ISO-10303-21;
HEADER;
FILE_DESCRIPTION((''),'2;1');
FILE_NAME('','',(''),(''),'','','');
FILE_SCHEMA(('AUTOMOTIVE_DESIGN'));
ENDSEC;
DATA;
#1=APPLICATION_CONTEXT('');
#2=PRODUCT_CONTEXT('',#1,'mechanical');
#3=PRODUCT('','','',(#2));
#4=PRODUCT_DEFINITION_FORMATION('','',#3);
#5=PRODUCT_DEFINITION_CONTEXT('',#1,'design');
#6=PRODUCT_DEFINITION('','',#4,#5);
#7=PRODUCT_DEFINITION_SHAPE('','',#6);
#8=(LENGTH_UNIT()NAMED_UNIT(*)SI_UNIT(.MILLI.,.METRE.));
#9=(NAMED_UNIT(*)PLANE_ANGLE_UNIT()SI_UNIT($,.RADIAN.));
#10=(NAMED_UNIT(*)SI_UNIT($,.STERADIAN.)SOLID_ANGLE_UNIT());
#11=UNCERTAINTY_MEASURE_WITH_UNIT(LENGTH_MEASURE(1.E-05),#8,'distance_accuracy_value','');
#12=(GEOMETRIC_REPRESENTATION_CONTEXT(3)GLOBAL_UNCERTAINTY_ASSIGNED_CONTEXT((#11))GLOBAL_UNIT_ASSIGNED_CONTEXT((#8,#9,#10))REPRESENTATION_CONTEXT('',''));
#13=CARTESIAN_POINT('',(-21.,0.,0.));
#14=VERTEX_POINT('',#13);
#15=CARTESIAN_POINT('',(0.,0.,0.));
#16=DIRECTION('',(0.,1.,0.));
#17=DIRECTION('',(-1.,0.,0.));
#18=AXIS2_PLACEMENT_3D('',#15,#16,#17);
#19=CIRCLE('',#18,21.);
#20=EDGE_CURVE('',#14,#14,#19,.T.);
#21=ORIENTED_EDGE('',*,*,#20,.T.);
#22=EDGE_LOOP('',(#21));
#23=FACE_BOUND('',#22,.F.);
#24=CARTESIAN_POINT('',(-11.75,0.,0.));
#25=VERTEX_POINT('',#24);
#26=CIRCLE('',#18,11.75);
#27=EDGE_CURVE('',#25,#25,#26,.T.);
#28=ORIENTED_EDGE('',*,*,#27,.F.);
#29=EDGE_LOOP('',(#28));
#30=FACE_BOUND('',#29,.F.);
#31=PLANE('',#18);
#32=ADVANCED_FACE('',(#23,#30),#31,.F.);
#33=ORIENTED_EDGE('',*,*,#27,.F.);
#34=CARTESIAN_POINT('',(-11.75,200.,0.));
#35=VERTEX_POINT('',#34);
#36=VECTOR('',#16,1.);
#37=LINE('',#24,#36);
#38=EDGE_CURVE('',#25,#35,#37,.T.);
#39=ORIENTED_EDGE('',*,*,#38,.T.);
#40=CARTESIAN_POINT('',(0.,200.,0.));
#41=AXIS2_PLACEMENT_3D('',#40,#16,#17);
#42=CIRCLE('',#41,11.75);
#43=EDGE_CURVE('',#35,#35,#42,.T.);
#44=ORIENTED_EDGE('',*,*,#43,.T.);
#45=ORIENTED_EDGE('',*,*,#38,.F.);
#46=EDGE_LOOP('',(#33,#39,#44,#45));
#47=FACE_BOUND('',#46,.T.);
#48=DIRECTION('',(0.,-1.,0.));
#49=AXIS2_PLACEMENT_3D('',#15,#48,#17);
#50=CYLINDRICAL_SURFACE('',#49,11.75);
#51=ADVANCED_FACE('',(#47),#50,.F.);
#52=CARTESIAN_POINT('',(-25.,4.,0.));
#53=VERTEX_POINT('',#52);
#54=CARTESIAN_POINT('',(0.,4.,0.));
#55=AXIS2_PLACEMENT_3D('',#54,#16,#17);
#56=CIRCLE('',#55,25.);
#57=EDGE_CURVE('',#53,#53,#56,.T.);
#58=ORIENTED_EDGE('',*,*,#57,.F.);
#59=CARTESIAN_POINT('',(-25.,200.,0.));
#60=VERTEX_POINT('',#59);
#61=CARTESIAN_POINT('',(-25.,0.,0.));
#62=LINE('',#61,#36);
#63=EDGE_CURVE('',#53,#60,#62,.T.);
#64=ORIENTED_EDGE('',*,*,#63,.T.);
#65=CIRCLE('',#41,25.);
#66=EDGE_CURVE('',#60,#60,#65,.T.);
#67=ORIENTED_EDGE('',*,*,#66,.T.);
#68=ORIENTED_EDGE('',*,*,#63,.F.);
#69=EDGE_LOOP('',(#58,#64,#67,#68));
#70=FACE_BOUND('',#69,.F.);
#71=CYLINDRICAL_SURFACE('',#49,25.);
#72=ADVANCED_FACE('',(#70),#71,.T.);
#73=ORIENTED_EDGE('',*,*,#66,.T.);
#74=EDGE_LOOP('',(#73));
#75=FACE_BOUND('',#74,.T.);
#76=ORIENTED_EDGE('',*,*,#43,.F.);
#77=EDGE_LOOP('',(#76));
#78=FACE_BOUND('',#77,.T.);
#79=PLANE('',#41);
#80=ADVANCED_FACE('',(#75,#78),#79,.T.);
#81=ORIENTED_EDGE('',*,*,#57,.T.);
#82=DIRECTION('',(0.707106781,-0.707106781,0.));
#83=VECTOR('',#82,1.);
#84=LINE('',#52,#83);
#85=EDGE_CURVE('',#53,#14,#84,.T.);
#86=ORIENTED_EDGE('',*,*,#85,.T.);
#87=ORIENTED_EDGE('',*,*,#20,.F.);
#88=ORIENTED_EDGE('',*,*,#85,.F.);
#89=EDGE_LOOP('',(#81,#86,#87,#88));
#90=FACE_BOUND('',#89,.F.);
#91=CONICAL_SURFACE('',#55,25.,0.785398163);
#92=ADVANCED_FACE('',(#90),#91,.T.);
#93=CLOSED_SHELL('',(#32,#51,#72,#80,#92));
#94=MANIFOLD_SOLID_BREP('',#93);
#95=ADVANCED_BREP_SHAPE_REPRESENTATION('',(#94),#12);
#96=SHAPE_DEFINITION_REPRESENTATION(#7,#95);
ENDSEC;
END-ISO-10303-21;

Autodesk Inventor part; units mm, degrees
ref_plane "YZ Plane" through (0, 0, 0) normal (1, 0, 0) x (0, 1, 0)
ref_plane "XZ Plane" through (0, 0, 0) normal (0, 1, 0) x (-1, 0, 0)
ref_plane "XY Plane" through (0, 0, 0) normal (0, 0, 1) x (1, 0, 0)
sketch "Sketch1" plane through (0, 0, 0) normal (0, 1, 0) x (-1, 0, 0)
  circle A0 centre (0, 0) radius 25
  circle A1 centre (0, 0) radius 11.75
  dimension "d0" = 50
  dimension "d1" = 23.5
extrude "Extrusion1" add sketch "Sketch1" along normal blind 200
chamfer "Chamfer1" distance 4 angle 45 1 edges at (25, 0, 0)
properties part number "barrel"
